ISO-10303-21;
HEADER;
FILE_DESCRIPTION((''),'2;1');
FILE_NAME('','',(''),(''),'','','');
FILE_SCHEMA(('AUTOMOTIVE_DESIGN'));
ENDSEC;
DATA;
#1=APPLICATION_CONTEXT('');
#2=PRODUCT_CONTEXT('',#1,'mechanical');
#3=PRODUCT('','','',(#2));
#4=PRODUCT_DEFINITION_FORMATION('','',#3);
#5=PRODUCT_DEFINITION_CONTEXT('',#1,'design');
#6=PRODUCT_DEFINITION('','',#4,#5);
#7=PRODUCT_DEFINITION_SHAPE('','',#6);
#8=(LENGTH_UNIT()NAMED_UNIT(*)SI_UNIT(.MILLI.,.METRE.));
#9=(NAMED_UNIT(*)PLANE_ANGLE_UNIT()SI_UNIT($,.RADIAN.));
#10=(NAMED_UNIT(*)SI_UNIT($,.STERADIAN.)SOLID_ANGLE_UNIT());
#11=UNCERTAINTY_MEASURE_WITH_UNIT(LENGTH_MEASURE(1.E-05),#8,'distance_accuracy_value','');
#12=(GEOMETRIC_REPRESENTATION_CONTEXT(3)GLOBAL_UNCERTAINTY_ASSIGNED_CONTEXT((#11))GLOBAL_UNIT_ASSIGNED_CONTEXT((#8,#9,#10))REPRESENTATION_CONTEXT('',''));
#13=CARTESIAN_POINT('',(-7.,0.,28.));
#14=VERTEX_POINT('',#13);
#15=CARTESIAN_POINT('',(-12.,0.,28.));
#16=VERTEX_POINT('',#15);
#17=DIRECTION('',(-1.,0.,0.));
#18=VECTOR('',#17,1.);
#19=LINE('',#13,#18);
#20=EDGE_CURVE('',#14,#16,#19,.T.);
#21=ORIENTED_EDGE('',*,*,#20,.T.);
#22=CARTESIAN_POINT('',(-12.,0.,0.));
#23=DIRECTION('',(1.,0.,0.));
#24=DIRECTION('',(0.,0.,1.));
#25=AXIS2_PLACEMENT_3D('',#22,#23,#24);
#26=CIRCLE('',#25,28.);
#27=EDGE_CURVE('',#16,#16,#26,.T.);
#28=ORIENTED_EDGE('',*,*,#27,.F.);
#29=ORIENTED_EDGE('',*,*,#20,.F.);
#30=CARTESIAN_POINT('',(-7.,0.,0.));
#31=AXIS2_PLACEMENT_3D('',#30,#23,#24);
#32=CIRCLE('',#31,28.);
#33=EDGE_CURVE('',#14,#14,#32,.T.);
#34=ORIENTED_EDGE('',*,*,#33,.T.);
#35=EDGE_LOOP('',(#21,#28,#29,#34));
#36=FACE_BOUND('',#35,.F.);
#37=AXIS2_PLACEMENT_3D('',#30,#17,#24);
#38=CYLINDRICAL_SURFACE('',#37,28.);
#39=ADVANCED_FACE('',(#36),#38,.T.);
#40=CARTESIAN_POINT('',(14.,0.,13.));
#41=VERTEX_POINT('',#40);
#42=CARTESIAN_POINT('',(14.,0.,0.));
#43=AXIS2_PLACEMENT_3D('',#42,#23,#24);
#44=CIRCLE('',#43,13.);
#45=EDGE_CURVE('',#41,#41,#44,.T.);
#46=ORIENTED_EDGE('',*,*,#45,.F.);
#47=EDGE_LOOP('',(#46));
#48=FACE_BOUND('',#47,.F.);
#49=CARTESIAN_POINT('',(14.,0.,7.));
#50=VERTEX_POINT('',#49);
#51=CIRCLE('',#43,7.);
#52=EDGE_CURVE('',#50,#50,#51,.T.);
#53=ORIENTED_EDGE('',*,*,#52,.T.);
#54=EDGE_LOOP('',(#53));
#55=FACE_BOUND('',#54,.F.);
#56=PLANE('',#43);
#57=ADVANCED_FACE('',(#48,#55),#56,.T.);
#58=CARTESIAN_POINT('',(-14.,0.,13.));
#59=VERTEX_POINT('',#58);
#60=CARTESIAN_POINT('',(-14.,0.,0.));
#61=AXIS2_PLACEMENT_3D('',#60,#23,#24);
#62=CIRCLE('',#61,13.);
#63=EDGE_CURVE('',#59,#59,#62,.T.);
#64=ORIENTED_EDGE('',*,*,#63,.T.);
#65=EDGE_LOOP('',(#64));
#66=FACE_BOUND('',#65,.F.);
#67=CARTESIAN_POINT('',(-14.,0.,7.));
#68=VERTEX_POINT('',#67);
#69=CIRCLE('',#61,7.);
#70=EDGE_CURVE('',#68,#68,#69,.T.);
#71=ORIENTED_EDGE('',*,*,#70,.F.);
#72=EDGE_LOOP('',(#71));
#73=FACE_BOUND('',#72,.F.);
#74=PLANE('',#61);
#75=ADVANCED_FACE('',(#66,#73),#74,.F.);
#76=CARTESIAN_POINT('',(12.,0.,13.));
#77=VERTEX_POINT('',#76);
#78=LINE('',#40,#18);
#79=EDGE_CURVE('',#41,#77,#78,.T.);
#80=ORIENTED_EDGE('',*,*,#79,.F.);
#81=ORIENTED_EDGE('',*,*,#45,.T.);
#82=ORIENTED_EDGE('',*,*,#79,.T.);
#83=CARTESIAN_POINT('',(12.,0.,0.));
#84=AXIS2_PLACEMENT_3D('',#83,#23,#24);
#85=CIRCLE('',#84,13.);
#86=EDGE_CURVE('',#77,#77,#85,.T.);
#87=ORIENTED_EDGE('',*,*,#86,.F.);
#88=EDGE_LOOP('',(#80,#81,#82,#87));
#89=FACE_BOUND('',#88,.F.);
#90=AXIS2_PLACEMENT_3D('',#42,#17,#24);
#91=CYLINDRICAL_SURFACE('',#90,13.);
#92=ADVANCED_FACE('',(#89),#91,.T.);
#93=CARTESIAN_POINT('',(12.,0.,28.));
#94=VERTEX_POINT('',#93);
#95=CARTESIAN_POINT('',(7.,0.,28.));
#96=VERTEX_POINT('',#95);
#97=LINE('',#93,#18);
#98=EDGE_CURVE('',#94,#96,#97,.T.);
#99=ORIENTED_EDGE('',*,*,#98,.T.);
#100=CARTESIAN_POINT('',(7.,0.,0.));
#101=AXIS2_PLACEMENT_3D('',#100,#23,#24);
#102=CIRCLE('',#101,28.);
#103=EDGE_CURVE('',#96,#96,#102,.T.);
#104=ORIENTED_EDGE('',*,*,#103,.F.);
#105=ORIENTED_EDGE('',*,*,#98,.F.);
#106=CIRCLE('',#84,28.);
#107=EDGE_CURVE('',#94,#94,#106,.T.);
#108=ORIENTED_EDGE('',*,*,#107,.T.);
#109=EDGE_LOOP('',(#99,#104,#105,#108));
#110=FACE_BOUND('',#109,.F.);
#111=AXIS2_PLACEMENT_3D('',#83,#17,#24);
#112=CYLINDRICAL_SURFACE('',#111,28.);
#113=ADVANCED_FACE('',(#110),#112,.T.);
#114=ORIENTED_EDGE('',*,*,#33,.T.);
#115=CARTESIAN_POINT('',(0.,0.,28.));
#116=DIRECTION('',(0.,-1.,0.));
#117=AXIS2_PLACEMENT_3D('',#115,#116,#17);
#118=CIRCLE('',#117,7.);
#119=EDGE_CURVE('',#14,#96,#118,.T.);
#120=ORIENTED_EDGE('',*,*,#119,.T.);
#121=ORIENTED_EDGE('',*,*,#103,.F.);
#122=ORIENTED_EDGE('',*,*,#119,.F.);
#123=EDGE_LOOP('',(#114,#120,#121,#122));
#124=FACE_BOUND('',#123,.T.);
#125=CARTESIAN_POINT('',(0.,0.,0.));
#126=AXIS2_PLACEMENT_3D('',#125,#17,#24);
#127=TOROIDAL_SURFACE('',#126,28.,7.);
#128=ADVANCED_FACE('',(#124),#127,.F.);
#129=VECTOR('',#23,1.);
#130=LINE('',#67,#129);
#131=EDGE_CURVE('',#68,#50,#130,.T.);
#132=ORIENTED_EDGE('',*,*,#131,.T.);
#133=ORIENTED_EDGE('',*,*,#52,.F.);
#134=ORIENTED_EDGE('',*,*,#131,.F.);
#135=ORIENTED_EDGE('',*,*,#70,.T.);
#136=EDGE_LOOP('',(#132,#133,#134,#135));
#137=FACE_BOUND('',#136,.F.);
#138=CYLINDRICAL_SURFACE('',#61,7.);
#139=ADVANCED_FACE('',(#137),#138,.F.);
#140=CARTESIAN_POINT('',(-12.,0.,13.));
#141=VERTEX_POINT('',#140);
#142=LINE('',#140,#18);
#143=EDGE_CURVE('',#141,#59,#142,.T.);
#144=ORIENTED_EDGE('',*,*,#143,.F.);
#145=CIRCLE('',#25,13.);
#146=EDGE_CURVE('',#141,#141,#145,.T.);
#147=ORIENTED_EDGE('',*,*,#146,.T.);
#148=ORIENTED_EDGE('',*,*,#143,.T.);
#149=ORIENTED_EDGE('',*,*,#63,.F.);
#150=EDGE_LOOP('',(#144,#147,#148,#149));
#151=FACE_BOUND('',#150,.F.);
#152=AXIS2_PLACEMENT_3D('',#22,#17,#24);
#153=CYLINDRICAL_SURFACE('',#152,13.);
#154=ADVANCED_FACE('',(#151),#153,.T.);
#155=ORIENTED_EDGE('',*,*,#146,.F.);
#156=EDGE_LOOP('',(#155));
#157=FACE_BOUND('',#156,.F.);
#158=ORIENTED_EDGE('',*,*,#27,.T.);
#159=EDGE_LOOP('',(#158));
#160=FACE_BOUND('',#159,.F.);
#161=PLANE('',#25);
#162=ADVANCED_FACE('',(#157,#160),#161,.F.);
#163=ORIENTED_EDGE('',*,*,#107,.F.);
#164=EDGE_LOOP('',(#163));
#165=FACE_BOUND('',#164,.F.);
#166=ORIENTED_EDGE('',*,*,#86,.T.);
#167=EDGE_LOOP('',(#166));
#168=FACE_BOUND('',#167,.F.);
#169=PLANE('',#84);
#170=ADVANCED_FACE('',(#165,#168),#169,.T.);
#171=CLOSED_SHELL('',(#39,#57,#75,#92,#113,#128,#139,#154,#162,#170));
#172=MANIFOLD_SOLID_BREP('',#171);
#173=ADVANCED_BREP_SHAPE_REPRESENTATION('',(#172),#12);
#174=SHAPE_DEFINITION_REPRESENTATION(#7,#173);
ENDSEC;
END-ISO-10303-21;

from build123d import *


with BuildPart() as part:
    # Sketch → Revolution (revolve)
    with BuildSketch(Plane.XZ):
        with BuildLine():
            Line((-14, 7), (14, 7))
            Line((14, 7), (14, 13))
            Line((14, 13), (12, 13))
            Line((12, 13), (12, 28))
            Line((12, 28), (7, 28))
            ThreePointArc((-7, 28), (0, 21), (7, 28))
            Line((-7, 28), (-12, 28))
            Line((-12, 28), (-12, 13))
            Line((-12, 13), (-14, 13))
            Line((-14, 13), (-14, 7))
        make_face()
    revolve(axis=Axis((0, 0, 0), (1, 0, 0)))


solid = part.part
